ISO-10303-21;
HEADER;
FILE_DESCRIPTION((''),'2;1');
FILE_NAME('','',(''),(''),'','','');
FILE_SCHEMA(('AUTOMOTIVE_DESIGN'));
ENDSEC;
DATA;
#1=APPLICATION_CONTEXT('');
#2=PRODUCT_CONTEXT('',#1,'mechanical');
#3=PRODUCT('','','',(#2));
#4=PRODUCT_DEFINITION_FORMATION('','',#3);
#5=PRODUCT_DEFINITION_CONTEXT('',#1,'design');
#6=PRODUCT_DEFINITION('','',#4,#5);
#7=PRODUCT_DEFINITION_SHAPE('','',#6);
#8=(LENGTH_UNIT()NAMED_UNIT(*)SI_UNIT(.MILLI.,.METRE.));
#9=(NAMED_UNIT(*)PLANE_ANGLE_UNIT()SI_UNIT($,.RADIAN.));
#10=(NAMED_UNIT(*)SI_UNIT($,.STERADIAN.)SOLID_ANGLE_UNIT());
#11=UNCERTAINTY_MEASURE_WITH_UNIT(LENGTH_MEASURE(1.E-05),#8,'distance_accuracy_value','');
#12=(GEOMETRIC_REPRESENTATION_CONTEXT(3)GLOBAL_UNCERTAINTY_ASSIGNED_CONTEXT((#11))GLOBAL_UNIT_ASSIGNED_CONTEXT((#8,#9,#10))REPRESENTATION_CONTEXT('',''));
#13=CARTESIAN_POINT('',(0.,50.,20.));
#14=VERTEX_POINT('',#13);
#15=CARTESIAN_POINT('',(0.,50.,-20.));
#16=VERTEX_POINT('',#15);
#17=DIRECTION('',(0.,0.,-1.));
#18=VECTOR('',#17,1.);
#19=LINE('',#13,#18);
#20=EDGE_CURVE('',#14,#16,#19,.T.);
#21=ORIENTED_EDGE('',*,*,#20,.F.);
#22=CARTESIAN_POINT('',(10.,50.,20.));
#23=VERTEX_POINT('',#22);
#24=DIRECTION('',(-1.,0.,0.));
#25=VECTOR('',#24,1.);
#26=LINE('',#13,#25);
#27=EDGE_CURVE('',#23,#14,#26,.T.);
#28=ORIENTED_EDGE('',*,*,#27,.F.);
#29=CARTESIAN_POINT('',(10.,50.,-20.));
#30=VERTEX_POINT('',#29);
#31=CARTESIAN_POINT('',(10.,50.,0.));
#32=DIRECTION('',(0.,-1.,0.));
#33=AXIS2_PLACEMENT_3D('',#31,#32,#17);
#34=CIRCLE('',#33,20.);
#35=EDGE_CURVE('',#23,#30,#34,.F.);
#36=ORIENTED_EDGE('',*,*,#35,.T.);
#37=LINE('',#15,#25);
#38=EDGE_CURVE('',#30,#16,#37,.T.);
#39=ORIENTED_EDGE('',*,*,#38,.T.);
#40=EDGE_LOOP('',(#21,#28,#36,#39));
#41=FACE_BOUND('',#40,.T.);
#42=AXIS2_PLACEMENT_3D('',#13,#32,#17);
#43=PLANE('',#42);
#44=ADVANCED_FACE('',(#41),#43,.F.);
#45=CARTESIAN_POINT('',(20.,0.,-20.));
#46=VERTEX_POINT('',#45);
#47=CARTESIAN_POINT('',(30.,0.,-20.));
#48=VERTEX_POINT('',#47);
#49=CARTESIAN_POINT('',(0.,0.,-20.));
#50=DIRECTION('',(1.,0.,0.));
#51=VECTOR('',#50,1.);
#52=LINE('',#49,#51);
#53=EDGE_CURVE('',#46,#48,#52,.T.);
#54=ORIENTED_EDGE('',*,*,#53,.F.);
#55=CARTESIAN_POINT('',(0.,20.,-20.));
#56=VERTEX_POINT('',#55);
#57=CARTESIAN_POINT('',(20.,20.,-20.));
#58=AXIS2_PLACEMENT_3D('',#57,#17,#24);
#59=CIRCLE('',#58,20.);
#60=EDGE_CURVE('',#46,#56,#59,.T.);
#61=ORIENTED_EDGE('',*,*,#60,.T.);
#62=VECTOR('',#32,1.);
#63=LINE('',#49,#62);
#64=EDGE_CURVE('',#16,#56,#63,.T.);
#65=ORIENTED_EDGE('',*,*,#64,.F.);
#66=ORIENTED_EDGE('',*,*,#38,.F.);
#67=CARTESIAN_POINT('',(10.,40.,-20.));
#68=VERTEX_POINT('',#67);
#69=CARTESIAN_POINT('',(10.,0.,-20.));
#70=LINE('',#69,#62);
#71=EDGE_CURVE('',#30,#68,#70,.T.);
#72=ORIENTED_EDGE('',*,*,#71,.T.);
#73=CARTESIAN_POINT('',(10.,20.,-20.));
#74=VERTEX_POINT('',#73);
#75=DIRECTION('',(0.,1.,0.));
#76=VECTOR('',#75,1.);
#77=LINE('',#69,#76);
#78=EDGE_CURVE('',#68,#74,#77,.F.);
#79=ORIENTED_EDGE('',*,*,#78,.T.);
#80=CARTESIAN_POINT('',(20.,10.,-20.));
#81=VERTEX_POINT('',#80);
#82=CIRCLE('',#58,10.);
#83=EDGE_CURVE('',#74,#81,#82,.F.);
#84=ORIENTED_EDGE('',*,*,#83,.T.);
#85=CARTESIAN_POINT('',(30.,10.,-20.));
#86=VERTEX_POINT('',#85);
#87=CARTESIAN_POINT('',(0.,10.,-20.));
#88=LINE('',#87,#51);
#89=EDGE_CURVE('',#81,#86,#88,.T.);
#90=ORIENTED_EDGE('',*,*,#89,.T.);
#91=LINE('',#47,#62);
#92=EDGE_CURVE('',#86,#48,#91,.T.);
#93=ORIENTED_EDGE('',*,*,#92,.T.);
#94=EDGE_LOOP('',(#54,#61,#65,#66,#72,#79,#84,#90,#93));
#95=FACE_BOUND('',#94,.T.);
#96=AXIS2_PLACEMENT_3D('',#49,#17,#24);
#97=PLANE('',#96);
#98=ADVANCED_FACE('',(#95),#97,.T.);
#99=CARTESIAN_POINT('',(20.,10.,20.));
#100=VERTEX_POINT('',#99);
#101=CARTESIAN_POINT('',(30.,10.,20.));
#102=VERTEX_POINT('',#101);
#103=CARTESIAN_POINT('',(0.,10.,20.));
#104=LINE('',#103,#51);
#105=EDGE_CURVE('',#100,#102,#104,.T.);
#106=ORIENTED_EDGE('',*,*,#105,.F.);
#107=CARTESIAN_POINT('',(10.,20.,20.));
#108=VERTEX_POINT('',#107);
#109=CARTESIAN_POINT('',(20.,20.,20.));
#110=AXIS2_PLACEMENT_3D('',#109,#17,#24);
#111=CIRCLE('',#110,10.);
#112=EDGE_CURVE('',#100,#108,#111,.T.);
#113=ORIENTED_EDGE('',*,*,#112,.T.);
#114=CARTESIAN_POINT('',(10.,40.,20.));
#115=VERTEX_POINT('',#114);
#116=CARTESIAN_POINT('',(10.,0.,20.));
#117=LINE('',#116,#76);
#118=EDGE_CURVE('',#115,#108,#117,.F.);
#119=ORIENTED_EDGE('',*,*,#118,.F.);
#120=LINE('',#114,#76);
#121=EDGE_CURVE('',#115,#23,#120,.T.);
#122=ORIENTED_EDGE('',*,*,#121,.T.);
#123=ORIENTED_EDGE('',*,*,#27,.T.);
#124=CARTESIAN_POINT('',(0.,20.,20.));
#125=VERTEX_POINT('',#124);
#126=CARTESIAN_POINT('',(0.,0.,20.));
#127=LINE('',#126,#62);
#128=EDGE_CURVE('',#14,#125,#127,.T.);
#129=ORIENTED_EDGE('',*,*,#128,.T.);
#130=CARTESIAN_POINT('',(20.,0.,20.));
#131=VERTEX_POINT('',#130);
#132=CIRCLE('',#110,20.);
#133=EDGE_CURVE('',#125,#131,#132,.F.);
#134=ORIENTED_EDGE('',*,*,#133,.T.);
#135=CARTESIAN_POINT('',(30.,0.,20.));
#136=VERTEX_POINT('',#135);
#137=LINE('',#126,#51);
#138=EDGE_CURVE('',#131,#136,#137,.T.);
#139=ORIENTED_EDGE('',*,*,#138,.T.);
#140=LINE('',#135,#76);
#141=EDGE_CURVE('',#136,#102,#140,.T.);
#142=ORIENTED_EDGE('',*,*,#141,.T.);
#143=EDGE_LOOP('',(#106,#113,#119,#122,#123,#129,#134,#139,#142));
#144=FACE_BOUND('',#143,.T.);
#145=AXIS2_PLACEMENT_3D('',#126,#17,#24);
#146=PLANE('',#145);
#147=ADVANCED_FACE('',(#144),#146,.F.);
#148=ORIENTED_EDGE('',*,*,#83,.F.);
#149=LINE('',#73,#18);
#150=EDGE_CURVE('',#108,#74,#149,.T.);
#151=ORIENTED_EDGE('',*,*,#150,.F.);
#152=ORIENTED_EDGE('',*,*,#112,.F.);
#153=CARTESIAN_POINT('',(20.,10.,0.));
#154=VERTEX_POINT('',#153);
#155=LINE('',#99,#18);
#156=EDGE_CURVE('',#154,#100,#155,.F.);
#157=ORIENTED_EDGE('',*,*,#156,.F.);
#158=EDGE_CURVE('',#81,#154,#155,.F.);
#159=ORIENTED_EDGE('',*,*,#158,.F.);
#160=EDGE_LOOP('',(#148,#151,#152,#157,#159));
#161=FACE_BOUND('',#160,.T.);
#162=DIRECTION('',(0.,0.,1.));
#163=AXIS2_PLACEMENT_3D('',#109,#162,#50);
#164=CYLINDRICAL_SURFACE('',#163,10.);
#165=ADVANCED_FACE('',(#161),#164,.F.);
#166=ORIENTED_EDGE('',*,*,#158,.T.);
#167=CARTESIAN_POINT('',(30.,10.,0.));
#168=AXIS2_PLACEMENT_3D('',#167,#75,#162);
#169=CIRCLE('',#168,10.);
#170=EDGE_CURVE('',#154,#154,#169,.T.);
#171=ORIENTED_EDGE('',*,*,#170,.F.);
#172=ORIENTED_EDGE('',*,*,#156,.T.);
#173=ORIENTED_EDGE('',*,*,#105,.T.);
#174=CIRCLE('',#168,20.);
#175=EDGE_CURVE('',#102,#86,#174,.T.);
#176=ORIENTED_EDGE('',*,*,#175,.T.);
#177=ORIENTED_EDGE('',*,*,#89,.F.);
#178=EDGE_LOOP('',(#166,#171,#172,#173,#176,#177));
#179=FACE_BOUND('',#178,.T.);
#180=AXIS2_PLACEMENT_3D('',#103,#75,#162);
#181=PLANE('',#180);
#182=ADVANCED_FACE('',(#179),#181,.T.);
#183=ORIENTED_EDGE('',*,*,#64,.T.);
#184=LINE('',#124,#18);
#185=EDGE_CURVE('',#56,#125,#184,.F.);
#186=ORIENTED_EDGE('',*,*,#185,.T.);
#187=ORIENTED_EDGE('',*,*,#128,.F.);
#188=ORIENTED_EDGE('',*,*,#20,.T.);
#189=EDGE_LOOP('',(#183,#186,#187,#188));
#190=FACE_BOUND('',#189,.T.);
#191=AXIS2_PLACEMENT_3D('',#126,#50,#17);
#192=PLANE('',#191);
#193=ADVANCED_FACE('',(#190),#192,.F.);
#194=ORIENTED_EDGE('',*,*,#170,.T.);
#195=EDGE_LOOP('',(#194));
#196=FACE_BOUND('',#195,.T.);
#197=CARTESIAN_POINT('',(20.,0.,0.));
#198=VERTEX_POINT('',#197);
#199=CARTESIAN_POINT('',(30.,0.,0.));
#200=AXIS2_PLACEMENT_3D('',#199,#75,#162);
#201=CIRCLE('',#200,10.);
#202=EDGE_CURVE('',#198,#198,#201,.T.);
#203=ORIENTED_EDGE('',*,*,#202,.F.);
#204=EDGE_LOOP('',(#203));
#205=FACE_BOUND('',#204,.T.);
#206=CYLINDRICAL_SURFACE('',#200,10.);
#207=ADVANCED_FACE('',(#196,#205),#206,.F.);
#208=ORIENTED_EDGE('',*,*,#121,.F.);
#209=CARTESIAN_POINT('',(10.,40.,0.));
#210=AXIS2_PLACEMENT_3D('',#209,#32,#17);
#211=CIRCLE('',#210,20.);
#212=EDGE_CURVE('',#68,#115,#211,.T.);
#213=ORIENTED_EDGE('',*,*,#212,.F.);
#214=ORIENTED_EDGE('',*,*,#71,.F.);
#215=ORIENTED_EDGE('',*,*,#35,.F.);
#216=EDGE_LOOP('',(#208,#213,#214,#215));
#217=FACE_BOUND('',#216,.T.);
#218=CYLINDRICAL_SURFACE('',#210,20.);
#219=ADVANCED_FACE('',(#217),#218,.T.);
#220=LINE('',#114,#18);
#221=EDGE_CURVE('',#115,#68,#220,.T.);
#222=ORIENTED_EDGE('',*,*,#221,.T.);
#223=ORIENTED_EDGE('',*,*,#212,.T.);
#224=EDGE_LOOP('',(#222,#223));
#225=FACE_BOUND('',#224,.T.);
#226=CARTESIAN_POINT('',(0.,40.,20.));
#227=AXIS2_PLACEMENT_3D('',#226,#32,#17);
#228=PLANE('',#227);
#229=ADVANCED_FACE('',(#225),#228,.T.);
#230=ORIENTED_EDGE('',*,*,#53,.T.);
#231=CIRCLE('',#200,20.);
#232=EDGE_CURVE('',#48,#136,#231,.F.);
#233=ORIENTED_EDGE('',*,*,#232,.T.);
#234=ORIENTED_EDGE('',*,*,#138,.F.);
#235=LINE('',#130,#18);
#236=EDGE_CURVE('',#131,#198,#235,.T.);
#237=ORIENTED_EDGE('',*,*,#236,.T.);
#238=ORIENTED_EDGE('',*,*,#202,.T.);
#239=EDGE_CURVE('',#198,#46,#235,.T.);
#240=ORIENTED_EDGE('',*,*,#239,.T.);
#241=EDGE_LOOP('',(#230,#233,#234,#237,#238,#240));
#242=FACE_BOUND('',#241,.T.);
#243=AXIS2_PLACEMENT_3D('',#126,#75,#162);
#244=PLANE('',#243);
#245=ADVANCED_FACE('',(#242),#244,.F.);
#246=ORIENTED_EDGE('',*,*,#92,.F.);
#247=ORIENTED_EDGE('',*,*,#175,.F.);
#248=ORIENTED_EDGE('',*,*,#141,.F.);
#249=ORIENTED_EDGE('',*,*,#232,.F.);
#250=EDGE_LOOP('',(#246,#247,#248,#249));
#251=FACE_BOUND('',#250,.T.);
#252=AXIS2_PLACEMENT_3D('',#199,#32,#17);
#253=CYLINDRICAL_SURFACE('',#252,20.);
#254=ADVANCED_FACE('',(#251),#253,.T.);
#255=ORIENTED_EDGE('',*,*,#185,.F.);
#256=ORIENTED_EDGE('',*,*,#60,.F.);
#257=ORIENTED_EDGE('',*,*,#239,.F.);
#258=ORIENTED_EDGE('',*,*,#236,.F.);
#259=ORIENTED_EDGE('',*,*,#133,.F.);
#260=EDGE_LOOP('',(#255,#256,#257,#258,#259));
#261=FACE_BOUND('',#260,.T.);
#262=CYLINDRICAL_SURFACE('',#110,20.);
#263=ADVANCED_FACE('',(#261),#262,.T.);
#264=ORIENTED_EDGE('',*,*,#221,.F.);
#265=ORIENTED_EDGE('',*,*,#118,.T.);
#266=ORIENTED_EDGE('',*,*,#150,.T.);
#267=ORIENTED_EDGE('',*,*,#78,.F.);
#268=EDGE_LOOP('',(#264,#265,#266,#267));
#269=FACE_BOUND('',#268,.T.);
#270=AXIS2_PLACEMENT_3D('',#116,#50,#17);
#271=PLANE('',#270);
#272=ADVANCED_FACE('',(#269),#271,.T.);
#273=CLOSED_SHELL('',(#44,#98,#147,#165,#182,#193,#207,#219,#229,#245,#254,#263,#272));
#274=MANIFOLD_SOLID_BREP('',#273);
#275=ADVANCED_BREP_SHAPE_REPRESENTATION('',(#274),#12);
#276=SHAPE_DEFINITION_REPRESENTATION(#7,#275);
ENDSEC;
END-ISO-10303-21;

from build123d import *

# Parameters (mm, degrees)
EXTRUDE_THIN1_DEPTH = 20
FILLET1_R           = 20
FILLET2_R           = 10
FILLET3_RADIUS      = 20
FILLET3_LENGTH      = 10
FILLET4_RADIUS      = 20
FILLET4_LENGTH      = 10
SKETCH2_R           = 10
CUT_EXTRUDE1_DEPTH  = 68.082039325


with BuildPart() as part:
    # Sketch1 → Extrude-Thin1 (new, symmetric)
    with BuildSketch(Plane.XY):
        Polygon((50, 0), (0, 0), (0, 50), (30, 50), (30, 40), (10, 40), (10, 10), (50, 10), align=None)
    extrude(amount=EXTRUDE_THIN1_DEPTH, both=True)

    # Fillet1
    fillet1_edges = [part.edges().sort_by_distance(p)[0] for p in [
        (0, 0, 0),
    ]]
    fillet(fillet1_edges, radius=FILLET1_R)

    # Fillet2
    fillet2_edges = [part.edges().sort_by_distance(p)[0] for p in [
        (10, 10, 0),
    ]]
    fillet(fillet2_edges, radius=FILLET2_R)

    # Fillet3: full round fillet: the end face becomes a half cylinder, R = half its width
    fillet3_face = Plane((30, 45, 0), x_dir=(0, -1, 0), z_dir=(1, 0, 0))  # on the end face: x along it, z out of the body
    fillet3_slab = fillet3_face.offset(-FILLET3_RADIUS / 2) * Box(FILLET3_LENGTH, 2 * FILLET3_RADIUS, FILLET3_RADIUS, mode=Mode.PRIVATE)  # the body's end, R deep
    fillet3_round = Plane((10, 45, 0), x_dir=(1, 0, 0), z_dir=(0, -1, 0)) * Cylinder(FILLET3_RADIUS, FILLET3_LENGTH, mode=Mode.PRIVATE)  # its axis R under the face
    add(fillet3_slab - fillet3_round, mode=Mode.SUBTRACT)

    # Fillet4: full round fillet: the end face becomes a half cylinder, R = half its width
    fillet4_face = Plane((50, 5, 0), x_dir=(0, -1, 0), z_dir=(1, 0, 0))  # on the end face: x along it, z out of the body
    fillet4_slab = fillet4_face.offset(-FILLET4_RADIUS / 2) * Box(FILLET4_LENGTH, 2 * FILLET4_RADIUS, FILLET4_RADIUS, mode=Mode.PRIVATE)  # the body's end, R deep
    fillet4_round = Plane((30, 5, 0), x_dir=(1, 0, 0), z_dir=(0, -1, 0)) * Cylinder(FILLET4_RADIUS, FILLET4_LENGTH, mode=Mode.PRIVATE)  # its axis R under the face
    add(fillet4_slab - fillet4_round, mode=Mode.SUBTRACT)

    # Sketch2 → Cut-Extrude1 (cut, through all)
    with BuildSketch(Plane(origin=(0, 10, 0), x_dir=(1, 0, 0), z_dir=(0, 1, 0))):
        with Locations(Location((30, 0, 0), (0, 0, 180))):
            Circle(SKETCH2_R)
    extrude(amount=-CUT_EXTRUDE1_DEPTH, mode=Mode.SUBTRACT)


solid = part.part
